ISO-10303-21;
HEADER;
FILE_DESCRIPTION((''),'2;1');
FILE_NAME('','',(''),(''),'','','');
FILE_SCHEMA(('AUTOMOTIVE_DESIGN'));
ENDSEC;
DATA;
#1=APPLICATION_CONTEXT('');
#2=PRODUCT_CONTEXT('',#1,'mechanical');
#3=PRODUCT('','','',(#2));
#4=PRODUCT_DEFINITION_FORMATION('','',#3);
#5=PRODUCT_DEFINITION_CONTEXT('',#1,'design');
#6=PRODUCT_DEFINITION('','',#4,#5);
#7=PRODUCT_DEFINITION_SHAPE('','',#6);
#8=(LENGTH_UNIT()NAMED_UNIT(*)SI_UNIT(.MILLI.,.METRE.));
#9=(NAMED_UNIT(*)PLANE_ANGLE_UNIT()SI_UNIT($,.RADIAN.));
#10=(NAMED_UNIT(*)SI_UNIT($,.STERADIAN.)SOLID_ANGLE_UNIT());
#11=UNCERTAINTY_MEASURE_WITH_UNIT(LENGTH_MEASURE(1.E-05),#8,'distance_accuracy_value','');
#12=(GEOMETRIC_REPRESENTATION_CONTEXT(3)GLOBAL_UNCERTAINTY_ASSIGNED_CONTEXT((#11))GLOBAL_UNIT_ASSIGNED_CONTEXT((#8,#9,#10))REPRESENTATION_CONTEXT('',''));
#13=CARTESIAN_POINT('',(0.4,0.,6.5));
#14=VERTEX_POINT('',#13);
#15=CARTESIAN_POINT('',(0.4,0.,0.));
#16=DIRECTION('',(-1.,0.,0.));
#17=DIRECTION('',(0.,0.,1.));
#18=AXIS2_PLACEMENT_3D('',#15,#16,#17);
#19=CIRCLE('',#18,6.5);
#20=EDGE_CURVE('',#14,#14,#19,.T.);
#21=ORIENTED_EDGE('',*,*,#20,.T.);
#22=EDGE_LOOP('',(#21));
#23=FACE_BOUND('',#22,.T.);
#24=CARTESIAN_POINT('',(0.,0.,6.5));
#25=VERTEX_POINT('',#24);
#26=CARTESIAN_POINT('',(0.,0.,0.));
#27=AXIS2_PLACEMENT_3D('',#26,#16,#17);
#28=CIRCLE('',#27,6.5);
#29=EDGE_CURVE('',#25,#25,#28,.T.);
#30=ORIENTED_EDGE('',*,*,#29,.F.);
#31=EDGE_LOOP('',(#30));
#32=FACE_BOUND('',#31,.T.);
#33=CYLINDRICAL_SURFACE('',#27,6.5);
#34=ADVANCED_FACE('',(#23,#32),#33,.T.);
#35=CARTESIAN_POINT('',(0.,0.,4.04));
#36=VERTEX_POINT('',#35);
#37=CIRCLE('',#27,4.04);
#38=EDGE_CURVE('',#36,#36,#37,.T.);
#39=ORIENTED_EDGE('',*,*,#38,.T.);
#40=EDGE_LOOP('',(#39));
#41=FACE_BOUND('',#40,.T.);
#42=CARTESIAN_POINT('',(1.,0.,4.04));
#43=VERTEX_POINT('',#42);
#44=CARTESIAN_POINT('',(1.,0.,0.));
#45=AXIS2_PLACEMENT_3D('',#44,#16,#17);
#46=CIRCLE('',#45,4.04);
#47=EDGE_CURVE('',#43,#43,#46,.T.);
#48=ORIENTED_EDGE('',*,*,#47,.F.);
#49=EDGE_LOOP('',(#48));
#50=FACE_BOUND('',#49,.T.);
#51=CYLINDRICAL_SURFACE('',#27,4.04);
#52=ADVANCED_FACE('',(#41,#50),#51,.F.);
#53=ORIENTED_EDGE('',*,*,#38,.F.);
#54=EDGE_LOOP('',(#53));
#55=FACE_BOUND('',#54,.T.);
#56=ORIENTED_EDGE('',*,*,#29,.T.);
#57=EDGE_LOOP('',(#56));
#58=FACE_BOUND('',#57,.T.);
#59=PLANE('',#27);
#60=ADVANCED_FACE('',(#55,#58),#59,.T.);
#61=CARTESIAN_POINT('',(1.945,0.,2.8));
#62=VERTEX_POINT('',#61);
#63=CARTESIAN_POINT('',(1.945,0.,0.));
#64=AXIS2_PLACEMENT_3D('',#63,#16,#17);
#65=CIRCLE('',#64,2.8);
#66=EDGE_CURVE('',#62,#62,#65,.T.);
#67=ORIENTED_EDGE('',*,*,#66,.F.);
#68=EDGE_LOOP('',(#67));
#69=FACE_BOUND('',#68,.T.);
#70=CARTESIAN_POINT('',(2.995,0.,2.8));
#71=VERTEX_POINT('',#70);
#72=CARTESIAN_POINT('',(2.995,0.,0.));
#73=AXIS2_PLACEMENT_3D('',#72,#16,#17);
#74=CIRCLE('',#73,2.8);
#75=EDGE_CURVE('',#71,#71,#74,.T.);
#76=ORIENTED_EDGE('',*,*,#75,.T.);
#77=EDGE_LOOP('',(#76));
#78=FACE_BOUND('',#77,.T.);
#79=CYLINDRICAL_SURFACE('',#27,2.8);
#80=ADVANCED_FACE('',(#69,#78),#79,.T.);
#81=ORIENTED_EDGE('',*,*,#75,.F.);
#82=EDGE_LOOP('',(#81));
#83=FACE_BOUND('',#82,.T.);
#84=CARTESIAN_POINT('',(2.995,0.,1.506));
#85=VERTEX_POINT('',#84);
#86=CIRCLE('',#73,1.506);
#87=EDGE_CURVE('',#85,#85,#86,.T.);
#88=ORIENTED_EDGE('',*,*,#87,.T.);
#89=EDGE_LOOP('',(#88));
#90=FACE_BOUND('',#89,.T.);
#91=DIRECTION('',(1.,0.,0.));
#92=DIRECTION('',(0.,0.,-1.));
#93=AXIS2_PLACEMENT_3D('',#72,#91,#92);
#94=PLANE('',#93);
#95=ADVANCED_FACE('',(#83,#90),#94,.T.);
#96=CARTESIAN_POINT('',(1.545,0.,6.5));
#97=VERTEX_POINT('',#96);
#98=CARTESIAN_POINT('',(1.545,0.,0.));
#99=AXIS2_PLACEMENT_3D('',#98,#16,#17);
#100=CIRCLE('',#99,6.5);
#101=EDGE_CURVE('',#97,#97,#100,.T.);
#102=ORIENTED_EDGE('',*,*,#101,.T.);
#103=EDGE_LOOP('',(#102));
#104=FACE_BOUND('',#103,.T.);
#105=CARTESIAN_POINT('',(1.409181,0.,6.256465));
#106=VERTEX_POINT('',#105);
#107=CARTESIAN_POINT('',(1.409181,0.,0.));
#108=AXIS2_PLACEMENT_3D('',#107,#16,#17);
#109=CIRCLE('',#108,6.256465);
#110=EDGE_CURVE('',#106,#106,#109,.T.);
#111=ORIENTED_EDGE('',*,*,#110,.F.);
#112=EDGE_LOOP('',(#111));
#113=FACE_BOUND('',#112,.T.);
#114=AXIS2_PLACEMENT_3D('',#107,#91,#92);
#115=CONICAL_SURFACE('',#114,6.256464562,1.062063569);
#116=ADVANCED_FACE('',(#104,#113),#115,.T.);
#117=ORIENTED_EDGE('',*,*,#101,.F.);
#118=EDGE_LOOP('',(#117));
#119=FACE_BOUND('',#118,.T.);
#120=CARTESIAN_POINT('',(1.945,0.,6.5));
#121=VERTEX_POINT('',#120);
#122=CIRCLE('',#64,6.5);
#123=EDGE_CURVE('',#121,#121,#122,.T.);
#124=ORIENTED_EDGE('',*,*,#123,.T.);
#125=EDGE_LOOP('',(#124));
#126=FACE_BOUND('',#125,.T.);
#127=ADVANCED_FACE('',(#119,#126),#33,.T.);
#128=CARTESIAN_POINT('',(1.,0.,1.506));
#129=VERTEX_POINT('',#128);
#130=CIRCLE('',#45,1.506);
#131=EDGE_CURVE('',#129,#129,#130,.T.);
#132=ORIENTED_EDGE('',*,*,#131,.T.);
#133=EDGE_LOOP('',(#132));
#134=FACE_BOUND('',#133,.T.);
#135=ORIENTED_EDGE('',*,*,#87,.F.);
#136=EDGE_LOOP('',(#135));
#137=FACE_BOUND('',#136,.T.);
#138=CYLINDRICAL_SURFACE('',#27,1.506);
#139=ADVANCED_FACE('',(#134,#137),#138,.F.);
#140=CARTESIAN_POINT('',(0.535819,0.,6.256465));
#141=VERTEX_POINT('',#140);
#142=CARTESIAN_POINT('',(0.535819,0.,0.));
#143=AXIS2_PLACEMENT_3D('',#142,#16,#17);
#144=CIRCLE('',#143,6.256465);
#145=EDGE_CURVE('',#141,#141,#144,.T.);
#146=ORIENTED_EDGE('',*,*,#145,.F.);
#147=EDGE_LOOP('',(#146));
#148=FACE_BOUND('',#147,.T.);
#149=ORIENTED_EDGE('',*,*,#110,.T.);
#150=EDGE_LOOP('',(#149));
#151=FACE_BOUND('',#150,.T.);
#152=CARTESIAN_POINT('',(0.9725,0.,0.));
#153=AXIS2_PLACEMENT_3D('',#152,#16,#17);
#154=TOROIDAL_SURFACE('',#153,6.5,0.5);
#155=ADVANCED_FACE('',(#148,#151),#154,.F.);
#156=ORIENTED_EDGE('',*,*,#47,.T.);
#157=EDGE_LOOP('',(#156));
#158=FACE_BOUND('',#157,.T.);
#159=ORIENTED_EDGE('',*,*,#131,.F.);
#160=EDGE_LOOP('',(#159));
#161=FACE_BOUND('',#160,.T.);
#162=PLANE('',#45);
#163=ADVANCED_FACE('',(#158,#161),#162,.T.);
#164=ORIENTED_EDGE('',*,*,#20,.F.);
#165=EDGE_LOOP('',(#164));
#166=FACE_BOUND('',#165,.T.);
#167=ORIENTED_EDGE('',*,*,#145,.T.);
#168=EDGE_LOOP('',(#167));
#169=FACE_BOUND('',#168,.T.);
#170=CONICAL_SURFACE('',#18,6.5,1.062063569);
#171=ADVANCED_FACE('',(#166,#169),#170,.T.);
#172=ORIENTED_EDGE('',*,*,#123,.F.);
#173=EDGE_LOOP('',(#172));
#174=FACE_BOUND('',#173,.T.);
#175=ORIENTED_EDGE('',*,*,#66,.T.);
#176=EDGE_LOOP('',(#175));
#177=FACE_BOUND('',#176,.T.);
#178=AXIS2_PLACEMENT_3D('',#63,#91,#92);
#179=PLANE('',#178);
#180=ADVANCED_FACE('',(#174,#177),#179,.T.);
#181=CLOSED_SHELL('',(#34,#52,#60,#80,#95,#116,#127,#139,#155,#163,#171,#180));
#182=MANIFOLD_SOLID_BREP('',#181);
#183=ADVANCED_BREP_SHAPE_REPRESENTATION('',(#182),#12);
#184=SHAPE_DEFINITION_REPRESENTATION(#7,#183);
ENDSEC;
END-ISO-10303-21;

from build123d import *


with BuildPart() as part:
    # Sketch1 → Revolve1 (revolve)
    with BuildSketch(Plane.XY, mode=Mode.PRIVATE) as revolve1_sk:
        with BuildLine():
            Line((1, 4.04), (1, 1.506))
            Line((1, 1.506), (2.995, 1.506))
            Line((2.995, 1.506), (2.995, 2.8))
            Line((2.995, 2.8), (1.945, 2.8))
            Line((1.945, 2.8), (1.945, 6.5))
            Line((1.945, 6.5), (1.545, 6.5))
            Line((1.545, 6.5), (1.409181223, 6.256464562))
            ThreePointArc((1.409181223, 6.256464562), (0.9725, 6), (0.535818777, 6.256464562))
            Line((0.535818777, 6.256464562), (0.4, 6.5))
            Line((0.4, 6.5), (0, 6.5))
            Line((0, 6.5), (0, 4.04))
            Line((0, 4.04), (1, 4.04))
        make_face()
    revolve(revolve1_sk.sketch.rotate(Axis((0, 0, 0), (1, 0, 0)), 90), axis=Axis((0, 0, 0), (1, 0, 0)))


solid = part.part
